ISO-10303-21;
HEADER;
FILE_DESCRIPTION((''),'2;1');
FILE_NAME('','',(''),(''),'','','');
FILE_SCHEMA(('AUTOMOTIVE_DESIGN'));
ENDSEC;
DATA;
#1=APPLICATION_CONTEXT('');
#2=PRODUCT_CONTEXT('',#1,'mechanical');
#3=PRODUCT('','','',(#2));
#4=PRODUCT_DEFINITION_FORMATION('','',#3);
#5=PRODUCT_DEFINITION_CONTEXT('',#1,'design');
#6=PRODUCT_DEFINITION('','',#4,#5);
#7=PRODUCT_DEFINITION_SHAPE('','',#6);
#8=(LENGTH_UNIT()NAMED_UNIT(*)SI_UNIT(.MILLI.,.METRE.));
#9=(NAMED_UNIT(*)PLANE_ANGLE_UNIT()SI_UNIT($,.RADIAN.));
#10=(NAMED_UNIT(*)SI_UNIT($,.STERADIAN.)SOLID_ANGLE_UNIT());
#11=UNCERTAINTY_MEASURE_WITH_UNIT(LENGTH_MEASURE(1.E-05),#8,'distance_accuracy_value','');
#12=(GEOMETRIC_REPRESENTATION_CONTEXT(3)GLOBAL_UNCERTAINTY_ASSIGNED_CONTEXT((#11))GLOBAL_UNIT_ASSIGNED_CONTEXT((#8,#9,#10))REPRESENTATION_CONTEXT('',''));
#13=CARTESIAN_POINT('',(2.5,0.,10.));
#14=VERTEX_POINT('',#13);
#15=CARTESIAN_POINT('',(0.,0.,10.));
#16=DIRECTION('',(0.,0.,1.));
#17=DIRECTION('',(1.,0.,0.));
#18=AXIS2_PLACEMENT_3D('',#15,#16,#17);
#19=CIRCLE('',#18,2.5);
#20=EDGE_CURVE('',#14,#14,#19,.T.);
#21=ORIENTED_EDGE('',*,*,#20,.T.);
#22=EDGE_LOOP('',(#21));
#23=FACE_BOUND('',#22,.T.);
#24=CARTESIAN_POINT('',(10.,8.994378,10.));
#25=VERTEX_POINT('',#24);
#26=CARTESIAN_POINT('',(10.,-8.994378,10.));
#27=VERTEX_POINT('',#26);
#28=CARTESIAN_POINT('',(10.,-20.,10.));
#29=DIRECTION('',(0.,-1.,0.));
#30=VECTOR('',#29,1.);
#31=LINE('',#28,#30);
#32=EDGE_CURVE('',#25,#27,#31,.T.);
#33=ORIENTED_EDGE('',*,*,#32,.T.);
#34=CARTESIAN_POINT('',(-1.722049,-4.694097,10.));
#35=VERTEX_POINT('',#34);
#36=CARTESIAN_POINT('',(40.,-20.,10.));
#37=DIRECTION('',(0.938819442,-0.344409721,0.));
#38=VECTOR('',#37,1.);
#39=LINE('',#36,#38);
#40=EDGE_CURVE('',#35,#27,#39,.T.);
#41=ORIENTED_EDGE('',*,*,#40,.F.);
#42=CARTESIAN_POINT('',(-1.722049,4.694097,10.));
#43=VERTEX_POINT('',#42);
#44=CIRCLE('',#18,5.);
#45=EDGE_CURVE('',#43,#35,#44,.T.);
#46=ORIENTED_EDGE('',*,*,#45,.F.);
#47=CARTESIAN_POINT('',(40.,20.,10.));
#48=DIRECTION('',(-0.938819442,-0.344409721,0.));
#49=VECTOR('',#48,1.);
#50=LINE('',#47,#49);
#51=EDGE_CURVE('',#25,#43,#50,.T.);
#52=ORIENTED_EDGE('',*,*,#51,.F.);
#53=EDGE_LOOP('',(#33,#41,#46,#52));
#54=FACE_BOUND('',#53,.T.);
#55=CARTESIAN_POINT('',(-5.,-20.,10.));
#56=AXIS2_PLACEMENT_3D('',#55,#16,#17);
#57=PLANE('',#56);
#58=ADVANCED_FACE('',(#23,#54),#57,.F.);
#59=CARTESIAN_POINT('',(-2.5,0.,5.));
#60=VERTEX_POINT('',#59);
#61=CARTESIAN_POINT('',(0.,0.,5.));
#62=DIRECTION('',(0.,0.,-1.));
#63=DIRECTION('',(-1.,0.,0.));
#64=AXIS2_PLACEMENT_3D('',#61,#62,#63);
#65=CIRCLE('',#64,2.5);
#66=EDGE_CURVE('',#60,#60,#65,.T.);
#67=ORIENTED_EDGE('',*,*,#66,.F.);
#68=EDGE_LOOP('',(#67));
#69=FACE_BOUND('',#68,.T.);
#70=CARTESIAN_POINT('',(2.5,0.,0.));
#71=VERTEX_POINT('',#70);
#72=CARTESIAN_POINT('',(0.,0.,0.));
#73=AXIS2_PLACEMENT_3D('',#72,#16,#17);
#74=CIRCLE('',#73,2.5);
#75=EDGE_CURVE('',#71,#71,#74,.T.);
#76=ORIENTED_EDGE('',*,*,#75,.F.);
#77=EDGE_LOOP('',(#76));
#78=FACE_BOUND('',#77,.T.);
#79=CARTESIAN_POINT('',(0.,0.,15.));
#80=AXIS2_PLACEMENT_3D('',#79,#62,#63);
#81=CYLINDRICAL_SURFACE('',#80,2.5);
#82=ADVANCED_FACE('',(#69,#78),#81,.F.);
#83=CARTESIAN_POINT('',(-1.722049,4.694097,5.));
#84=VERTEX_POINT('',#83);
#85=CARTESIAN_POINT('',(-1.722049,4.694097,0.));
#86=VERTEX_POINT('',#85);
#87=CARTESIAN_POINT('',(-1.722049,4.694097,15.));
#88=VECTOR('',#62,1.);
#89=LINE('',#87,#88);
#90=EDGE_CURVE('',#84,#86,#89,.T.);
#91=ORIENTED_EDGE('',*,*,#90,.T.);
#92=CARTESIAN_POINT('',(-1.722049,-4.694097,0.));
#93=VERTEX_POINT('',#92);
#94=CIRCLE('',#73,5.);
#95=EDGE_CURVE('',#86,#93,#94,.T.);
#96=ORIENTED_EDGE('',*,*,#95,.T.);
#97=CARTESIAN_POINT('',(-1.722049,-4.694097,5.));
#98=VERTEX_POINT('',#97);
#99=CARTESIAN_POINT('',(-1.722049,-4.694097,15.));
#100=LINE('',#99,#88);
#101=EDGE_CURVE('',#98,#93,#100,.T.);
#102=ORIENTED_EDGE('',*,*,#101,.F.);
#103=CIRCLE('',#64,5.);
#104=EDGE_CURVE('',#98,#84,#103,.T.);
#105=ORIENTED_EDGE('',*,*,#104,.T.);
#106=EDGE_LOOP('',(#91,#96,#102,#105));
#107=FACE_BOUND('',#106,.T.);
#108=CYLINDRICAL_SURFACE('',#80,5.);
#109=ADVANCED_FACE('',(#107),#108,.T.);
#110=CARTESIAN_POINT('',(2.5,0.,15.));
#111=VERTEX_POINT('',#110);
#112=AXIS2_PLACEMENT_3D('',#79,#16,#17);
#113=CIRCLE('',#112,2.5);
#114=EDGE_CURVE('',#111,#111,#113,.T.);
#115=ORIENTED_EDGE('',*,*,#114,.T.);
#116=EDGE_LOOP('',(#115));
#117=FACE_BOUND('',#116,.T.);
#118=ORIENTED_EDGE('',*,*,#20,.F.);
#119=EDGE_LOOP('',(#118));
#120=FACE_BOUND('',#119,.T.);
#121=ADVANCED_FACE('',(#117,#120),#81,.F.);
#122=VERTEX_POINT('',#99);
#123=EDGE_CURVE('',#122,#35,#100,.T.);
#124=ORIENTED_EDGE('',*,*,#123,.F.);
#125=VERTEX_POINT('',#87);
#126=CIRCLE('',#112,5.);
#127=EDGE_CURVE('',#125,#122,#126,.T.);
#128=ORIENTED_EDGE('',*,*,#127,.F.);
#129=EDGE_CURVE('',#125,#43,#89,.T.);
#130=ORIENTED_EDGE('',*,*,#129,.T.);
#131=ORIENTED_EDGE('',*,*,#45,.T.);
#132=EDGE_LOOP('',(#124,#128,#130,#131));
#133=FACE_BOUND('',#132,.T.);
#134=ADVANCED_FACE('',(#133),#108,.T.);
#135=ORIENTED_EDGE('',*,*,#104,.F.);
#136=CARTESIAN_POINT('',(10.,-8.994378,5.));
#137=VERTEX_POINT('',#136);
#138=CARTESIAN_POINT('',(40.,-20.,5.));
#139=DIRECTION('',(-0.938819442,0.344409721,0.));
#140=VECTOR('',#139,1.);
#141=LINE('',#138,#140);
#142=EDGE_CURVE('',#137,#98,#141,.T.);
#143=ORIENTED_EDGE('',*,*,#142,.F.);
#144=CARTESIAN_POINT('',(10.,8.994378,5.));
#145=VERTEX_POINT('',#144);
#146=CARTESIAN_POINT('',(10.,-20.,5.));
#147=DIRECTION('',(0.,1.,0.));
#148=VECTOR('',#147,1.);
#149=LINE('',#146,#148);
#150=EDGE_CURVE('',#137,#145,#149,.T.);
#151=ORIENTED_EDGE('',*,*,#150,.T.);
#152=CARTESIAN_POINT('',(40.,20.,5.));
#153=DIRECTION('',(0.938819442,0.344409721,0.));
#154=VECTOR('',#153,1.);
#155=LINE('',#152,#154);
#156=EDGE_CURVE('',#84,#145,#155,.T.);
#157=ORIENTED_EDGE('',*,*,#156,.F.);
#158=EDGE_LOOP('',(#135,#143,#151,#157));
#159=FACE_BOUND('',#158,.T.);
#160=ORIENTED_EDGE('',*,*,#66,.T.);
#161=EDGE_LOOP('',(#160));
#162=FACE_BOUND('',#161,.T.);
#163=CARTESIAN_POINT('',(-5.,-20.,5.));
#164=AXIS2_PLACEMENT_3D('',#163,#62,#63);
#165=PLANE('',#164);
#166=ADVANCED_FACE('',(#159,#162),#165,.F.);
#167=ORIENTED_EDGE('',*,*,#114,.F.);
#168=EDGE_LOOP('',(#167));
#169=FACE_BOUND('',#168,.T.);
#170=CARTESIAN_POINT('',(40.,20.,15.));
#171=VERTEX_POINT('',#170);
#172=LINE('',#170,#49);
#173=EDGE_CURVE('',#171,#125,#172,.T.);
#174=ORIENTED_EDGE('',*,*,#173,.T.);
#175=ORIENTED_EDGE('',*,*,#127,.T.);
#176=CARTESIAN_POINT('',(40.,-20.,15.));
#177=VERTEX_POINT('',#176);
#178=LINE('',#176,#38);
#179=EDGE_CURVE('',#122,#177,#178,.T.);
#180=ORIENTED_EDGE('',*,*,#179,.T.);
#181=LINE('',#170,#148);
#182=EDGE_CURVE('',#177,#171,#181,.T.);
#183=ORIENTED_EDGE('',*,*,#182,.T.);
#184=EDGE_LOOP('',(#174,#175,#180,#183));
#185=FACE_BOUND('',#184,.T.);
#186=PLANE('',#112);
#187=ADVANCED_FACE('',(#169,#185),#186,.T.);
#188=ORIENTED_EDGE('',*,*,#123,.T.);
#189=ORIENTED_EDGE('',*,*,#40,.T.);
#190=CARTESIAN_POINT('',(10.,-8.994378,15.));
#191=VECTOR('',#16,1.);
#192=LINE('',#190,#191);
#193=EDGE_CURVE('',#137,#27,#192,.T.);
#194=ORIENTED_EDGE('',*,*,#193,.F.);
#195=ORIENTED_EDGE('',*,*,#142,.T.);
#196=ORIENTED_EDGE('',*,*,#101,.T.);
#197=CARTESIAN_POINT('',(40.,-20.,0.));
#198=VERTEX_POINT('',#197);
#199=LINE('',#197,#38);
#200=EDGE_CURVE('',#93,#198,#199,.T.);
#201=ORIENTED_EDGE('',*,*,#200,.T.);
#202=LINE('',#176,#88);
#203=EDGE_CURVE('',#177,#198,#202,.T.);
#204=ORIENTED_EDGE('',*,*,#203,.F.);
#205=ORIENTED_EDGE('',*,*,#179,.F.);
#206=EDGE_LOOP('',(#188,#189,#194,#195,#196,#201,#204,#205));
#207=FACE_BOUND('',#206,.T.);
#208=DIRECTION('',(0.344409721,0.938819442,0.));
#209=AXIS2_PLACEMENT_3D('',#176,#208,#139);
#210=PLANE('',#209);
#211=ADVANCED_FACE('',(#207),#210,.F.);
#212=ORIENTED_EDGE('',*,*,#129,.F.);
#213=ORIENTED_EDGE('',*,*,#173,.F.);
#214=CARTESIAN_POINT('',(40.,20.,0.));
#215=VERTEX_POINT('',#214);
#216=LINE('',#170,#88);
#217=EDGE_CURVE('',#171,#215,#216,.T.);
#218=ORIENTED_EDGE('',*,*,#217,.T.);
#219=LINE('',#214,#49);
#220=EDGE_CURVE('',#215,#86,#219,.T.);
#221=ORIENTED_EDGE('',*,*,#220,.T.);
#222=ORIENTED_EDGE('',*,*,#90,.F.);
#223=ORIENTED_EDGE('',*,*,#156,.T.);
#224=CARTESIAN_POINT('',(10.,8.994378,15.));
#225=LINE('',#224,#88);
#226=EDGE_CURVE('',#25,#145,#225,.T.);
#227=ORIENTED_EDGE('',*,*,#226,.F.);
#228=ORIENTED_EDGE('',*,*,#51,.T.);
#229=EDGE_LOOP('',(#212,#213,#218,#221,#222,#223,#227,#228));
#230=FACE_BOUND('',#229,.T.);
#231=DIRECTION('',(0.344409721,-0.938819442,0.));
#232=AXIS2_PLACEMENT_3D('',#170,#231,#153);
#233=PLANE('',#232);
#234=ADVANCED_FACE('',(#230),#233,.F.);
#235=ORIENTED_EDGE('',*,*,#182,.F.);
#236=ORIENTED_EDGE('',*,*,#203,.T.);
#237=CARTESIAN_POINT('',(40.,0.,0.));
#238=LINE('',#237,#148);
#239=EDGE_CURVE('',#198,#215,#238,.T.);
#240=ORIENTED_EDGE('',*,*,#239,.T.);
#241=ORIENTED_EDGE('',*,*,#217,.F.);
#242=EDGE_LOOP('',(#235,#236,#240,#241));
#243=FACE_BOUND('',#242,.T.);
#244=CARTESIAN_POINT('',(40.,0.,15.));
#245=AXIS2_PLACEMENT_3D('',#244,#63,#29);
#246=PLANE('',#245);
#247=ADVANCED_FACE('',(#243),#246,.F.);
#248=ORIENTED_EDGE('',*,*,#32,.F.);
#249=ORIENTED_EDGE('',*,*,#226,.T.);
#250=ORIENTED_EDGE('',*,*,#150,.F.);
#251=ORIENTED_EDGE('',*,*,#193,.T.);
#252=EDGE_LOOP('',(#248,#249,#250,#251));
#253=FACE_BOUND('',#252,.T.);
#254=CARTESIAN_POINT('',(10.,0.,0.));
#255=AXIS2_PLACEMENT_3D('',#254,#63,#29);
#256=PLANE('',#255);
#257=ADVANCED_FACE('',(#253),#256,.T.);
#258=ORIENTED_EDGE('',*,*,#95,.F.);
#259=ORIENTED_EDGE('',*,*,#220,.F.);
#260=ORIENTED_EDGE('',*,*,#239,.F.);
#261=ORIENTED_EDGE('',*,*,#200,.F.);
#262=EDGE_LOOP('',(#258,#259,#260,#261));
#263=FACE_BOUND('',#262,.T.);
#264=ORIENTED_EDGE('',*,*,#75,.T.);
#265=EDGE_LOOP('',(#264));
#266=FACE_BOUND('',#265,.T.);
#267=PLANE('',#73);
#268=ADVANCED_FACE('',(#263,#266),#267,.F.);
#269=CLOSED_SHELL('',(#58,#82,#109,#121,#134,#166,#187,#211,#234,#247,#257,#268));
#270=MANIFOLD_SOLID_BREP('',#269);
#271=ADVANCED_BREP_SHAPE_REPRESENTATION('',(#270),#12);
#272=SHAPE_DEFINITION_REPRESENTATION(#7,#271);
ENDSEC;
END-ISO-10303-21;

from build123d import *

# Parameters (mm, degrees)
SKETCH1_R           = 2.5
BOSS_EXTRUDE1_DEPTH = 15
CUT_EXTRUDE1_START  = -30
SKETCH2_W           = 5
SKETCH2_H           = 40
CUT_EXTRUDE1_DEPTH  = 22.478150705


with BuildPart() as part:
    # Sketch1 → Boss-Extrude1 (new body)
    with BuildSketch(Plane.XY):
        with BuildLine():
            Line((40, 20), (-1.722048604, 4.694097209))
            ThreePointArc((-1.722048604, 4.694097209), (-5, 0), (-1.722048604, -4.694097209))
            Line((-1.722048604, -4.694097209), (40, -20))
            Line((40, -20), (40, 0))
            Line((40, 0), (40, 20))
        make_face()
        Circle(SKETCH1_R, mode=Mode.SUBTRACT)
    extrude(amount=BOSS_EXTRUDE1_DEPTH)

    # Sketch2 → Cut-Extrude1 (cut, through all)
    with BuildSketch(Plane(origin=(40, 0, 0), x_dir=(0, 0, -1), z_dir=(1, 0, 0)).offset(CUT_EXTRUDE1_START)):
        with Locations((-7.5, 0)):
            Rectangle(SKETCH2_W, SKETCH2_H)
    extrude(amount=-CUT_EXTRUDE1_DEPTH, mode=Mode.SUBTRACT)


solid = part.part
